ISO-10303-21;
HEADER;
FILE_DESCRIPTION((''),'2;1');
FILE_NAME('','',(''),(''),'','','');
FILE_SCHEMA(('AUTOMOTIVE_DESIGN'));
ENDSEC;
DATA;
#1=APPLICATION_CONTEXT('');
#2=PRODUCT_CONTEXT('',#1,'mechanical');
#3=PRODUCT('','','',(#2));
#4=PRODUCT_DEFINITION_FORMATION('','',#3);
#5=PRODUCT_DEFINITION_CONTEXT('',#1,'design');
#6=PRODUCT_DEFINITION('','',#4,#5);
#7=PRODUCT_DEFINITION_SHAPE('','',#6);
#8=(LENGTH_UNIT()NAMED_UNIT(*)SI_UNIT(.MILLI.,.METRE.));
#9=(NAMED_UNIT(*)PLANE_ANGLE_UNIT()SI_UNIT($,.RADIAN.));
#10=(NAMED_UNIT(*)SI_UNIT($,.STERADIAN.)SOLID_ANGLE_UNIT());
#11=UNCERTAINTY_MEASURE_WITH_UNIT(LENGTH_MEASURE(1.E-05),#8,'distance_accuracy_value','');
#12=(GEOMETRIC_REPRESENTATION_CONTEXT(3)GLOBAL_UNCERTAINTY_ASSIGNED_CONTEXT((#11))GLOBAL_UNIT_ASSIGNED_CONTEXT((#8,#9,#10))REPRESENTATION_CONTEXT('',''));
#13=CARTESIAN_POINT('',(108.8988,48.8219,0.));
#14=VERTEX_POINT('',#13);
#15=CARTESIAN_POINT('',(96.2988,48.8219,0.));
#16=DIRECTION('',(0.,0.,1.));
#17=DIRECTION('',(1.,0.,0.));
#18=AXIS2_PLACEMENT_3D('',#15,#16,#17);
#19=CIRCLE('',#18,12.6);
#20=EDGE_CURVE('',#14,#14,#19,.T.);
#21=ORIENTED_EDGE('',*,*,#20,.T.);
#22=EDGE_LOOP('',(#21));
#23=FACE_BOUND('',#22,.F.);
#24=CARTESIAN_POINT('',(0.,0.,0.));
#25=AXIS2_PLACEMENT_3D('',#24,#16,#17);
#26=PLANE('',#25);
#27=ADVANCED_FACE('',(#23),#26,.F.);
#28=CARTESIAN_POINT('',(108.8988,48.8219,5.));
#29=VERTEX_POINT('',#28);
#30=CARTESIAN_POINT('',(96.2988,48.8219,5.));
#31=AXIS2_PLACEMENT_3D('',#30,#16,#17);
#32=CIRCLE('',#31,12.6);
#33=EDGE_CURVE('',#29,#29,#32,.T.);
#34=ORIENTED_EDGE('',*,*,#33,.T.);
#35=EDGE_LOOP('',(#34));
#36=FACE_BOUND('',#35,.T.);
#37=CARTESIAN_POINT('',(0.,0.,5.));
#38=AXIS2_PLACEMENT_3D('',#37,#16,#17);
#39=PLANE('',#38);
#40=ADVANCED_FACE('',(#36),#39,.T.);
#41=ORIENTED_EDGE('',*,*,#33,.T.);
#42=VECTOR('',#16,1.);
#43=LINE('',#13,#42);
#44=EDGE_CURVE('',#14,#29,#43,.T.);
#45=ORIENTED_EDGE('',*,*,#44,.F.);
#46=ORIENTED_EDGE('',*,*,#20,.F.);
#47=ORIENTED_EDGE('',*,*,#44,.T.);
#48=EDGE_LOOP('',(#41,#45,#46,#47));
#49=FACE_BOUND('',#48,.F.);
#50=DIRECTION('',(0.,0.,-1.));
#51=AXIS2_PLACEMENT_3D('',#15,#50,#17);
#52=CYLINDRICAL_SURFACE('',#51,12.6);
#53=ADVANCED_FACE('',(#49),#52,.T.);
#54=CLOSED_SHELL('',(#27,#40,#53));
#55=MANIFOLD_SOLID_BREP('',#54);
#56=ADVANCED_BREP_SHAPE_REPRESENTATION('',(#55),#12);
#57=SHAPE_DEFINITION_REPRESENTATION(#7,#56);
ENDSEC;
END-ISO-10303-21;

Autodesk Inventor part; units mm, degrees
ref_plane "YZ Plane" through (0, 0, 0) normal (1, 0, 0) x (0, 1, 0)
ref_plane "XZ Plane" through (0, 0, 0) normal (0, 1, 0) x (-1, 0, 0)
ref_plane "XY Plane" through (0, 0, 0) normal (0, 0, 1) x (1, 0, 0)
sketch "Sketch1" plane through (0, 0, 0) normal (0, 0, 1) x (1, 0, 0)
  circle A0 centre (96.2988, 48.8219) radius 12.6
  point P0 (0, 0)
  dimension "d0" = 25.2
  dimension "d0" = 25.2
extrude "Extrusion1" add sketch "Sketch1" along normal blind 5
properties part number "100_chroma_HQ675_55"
